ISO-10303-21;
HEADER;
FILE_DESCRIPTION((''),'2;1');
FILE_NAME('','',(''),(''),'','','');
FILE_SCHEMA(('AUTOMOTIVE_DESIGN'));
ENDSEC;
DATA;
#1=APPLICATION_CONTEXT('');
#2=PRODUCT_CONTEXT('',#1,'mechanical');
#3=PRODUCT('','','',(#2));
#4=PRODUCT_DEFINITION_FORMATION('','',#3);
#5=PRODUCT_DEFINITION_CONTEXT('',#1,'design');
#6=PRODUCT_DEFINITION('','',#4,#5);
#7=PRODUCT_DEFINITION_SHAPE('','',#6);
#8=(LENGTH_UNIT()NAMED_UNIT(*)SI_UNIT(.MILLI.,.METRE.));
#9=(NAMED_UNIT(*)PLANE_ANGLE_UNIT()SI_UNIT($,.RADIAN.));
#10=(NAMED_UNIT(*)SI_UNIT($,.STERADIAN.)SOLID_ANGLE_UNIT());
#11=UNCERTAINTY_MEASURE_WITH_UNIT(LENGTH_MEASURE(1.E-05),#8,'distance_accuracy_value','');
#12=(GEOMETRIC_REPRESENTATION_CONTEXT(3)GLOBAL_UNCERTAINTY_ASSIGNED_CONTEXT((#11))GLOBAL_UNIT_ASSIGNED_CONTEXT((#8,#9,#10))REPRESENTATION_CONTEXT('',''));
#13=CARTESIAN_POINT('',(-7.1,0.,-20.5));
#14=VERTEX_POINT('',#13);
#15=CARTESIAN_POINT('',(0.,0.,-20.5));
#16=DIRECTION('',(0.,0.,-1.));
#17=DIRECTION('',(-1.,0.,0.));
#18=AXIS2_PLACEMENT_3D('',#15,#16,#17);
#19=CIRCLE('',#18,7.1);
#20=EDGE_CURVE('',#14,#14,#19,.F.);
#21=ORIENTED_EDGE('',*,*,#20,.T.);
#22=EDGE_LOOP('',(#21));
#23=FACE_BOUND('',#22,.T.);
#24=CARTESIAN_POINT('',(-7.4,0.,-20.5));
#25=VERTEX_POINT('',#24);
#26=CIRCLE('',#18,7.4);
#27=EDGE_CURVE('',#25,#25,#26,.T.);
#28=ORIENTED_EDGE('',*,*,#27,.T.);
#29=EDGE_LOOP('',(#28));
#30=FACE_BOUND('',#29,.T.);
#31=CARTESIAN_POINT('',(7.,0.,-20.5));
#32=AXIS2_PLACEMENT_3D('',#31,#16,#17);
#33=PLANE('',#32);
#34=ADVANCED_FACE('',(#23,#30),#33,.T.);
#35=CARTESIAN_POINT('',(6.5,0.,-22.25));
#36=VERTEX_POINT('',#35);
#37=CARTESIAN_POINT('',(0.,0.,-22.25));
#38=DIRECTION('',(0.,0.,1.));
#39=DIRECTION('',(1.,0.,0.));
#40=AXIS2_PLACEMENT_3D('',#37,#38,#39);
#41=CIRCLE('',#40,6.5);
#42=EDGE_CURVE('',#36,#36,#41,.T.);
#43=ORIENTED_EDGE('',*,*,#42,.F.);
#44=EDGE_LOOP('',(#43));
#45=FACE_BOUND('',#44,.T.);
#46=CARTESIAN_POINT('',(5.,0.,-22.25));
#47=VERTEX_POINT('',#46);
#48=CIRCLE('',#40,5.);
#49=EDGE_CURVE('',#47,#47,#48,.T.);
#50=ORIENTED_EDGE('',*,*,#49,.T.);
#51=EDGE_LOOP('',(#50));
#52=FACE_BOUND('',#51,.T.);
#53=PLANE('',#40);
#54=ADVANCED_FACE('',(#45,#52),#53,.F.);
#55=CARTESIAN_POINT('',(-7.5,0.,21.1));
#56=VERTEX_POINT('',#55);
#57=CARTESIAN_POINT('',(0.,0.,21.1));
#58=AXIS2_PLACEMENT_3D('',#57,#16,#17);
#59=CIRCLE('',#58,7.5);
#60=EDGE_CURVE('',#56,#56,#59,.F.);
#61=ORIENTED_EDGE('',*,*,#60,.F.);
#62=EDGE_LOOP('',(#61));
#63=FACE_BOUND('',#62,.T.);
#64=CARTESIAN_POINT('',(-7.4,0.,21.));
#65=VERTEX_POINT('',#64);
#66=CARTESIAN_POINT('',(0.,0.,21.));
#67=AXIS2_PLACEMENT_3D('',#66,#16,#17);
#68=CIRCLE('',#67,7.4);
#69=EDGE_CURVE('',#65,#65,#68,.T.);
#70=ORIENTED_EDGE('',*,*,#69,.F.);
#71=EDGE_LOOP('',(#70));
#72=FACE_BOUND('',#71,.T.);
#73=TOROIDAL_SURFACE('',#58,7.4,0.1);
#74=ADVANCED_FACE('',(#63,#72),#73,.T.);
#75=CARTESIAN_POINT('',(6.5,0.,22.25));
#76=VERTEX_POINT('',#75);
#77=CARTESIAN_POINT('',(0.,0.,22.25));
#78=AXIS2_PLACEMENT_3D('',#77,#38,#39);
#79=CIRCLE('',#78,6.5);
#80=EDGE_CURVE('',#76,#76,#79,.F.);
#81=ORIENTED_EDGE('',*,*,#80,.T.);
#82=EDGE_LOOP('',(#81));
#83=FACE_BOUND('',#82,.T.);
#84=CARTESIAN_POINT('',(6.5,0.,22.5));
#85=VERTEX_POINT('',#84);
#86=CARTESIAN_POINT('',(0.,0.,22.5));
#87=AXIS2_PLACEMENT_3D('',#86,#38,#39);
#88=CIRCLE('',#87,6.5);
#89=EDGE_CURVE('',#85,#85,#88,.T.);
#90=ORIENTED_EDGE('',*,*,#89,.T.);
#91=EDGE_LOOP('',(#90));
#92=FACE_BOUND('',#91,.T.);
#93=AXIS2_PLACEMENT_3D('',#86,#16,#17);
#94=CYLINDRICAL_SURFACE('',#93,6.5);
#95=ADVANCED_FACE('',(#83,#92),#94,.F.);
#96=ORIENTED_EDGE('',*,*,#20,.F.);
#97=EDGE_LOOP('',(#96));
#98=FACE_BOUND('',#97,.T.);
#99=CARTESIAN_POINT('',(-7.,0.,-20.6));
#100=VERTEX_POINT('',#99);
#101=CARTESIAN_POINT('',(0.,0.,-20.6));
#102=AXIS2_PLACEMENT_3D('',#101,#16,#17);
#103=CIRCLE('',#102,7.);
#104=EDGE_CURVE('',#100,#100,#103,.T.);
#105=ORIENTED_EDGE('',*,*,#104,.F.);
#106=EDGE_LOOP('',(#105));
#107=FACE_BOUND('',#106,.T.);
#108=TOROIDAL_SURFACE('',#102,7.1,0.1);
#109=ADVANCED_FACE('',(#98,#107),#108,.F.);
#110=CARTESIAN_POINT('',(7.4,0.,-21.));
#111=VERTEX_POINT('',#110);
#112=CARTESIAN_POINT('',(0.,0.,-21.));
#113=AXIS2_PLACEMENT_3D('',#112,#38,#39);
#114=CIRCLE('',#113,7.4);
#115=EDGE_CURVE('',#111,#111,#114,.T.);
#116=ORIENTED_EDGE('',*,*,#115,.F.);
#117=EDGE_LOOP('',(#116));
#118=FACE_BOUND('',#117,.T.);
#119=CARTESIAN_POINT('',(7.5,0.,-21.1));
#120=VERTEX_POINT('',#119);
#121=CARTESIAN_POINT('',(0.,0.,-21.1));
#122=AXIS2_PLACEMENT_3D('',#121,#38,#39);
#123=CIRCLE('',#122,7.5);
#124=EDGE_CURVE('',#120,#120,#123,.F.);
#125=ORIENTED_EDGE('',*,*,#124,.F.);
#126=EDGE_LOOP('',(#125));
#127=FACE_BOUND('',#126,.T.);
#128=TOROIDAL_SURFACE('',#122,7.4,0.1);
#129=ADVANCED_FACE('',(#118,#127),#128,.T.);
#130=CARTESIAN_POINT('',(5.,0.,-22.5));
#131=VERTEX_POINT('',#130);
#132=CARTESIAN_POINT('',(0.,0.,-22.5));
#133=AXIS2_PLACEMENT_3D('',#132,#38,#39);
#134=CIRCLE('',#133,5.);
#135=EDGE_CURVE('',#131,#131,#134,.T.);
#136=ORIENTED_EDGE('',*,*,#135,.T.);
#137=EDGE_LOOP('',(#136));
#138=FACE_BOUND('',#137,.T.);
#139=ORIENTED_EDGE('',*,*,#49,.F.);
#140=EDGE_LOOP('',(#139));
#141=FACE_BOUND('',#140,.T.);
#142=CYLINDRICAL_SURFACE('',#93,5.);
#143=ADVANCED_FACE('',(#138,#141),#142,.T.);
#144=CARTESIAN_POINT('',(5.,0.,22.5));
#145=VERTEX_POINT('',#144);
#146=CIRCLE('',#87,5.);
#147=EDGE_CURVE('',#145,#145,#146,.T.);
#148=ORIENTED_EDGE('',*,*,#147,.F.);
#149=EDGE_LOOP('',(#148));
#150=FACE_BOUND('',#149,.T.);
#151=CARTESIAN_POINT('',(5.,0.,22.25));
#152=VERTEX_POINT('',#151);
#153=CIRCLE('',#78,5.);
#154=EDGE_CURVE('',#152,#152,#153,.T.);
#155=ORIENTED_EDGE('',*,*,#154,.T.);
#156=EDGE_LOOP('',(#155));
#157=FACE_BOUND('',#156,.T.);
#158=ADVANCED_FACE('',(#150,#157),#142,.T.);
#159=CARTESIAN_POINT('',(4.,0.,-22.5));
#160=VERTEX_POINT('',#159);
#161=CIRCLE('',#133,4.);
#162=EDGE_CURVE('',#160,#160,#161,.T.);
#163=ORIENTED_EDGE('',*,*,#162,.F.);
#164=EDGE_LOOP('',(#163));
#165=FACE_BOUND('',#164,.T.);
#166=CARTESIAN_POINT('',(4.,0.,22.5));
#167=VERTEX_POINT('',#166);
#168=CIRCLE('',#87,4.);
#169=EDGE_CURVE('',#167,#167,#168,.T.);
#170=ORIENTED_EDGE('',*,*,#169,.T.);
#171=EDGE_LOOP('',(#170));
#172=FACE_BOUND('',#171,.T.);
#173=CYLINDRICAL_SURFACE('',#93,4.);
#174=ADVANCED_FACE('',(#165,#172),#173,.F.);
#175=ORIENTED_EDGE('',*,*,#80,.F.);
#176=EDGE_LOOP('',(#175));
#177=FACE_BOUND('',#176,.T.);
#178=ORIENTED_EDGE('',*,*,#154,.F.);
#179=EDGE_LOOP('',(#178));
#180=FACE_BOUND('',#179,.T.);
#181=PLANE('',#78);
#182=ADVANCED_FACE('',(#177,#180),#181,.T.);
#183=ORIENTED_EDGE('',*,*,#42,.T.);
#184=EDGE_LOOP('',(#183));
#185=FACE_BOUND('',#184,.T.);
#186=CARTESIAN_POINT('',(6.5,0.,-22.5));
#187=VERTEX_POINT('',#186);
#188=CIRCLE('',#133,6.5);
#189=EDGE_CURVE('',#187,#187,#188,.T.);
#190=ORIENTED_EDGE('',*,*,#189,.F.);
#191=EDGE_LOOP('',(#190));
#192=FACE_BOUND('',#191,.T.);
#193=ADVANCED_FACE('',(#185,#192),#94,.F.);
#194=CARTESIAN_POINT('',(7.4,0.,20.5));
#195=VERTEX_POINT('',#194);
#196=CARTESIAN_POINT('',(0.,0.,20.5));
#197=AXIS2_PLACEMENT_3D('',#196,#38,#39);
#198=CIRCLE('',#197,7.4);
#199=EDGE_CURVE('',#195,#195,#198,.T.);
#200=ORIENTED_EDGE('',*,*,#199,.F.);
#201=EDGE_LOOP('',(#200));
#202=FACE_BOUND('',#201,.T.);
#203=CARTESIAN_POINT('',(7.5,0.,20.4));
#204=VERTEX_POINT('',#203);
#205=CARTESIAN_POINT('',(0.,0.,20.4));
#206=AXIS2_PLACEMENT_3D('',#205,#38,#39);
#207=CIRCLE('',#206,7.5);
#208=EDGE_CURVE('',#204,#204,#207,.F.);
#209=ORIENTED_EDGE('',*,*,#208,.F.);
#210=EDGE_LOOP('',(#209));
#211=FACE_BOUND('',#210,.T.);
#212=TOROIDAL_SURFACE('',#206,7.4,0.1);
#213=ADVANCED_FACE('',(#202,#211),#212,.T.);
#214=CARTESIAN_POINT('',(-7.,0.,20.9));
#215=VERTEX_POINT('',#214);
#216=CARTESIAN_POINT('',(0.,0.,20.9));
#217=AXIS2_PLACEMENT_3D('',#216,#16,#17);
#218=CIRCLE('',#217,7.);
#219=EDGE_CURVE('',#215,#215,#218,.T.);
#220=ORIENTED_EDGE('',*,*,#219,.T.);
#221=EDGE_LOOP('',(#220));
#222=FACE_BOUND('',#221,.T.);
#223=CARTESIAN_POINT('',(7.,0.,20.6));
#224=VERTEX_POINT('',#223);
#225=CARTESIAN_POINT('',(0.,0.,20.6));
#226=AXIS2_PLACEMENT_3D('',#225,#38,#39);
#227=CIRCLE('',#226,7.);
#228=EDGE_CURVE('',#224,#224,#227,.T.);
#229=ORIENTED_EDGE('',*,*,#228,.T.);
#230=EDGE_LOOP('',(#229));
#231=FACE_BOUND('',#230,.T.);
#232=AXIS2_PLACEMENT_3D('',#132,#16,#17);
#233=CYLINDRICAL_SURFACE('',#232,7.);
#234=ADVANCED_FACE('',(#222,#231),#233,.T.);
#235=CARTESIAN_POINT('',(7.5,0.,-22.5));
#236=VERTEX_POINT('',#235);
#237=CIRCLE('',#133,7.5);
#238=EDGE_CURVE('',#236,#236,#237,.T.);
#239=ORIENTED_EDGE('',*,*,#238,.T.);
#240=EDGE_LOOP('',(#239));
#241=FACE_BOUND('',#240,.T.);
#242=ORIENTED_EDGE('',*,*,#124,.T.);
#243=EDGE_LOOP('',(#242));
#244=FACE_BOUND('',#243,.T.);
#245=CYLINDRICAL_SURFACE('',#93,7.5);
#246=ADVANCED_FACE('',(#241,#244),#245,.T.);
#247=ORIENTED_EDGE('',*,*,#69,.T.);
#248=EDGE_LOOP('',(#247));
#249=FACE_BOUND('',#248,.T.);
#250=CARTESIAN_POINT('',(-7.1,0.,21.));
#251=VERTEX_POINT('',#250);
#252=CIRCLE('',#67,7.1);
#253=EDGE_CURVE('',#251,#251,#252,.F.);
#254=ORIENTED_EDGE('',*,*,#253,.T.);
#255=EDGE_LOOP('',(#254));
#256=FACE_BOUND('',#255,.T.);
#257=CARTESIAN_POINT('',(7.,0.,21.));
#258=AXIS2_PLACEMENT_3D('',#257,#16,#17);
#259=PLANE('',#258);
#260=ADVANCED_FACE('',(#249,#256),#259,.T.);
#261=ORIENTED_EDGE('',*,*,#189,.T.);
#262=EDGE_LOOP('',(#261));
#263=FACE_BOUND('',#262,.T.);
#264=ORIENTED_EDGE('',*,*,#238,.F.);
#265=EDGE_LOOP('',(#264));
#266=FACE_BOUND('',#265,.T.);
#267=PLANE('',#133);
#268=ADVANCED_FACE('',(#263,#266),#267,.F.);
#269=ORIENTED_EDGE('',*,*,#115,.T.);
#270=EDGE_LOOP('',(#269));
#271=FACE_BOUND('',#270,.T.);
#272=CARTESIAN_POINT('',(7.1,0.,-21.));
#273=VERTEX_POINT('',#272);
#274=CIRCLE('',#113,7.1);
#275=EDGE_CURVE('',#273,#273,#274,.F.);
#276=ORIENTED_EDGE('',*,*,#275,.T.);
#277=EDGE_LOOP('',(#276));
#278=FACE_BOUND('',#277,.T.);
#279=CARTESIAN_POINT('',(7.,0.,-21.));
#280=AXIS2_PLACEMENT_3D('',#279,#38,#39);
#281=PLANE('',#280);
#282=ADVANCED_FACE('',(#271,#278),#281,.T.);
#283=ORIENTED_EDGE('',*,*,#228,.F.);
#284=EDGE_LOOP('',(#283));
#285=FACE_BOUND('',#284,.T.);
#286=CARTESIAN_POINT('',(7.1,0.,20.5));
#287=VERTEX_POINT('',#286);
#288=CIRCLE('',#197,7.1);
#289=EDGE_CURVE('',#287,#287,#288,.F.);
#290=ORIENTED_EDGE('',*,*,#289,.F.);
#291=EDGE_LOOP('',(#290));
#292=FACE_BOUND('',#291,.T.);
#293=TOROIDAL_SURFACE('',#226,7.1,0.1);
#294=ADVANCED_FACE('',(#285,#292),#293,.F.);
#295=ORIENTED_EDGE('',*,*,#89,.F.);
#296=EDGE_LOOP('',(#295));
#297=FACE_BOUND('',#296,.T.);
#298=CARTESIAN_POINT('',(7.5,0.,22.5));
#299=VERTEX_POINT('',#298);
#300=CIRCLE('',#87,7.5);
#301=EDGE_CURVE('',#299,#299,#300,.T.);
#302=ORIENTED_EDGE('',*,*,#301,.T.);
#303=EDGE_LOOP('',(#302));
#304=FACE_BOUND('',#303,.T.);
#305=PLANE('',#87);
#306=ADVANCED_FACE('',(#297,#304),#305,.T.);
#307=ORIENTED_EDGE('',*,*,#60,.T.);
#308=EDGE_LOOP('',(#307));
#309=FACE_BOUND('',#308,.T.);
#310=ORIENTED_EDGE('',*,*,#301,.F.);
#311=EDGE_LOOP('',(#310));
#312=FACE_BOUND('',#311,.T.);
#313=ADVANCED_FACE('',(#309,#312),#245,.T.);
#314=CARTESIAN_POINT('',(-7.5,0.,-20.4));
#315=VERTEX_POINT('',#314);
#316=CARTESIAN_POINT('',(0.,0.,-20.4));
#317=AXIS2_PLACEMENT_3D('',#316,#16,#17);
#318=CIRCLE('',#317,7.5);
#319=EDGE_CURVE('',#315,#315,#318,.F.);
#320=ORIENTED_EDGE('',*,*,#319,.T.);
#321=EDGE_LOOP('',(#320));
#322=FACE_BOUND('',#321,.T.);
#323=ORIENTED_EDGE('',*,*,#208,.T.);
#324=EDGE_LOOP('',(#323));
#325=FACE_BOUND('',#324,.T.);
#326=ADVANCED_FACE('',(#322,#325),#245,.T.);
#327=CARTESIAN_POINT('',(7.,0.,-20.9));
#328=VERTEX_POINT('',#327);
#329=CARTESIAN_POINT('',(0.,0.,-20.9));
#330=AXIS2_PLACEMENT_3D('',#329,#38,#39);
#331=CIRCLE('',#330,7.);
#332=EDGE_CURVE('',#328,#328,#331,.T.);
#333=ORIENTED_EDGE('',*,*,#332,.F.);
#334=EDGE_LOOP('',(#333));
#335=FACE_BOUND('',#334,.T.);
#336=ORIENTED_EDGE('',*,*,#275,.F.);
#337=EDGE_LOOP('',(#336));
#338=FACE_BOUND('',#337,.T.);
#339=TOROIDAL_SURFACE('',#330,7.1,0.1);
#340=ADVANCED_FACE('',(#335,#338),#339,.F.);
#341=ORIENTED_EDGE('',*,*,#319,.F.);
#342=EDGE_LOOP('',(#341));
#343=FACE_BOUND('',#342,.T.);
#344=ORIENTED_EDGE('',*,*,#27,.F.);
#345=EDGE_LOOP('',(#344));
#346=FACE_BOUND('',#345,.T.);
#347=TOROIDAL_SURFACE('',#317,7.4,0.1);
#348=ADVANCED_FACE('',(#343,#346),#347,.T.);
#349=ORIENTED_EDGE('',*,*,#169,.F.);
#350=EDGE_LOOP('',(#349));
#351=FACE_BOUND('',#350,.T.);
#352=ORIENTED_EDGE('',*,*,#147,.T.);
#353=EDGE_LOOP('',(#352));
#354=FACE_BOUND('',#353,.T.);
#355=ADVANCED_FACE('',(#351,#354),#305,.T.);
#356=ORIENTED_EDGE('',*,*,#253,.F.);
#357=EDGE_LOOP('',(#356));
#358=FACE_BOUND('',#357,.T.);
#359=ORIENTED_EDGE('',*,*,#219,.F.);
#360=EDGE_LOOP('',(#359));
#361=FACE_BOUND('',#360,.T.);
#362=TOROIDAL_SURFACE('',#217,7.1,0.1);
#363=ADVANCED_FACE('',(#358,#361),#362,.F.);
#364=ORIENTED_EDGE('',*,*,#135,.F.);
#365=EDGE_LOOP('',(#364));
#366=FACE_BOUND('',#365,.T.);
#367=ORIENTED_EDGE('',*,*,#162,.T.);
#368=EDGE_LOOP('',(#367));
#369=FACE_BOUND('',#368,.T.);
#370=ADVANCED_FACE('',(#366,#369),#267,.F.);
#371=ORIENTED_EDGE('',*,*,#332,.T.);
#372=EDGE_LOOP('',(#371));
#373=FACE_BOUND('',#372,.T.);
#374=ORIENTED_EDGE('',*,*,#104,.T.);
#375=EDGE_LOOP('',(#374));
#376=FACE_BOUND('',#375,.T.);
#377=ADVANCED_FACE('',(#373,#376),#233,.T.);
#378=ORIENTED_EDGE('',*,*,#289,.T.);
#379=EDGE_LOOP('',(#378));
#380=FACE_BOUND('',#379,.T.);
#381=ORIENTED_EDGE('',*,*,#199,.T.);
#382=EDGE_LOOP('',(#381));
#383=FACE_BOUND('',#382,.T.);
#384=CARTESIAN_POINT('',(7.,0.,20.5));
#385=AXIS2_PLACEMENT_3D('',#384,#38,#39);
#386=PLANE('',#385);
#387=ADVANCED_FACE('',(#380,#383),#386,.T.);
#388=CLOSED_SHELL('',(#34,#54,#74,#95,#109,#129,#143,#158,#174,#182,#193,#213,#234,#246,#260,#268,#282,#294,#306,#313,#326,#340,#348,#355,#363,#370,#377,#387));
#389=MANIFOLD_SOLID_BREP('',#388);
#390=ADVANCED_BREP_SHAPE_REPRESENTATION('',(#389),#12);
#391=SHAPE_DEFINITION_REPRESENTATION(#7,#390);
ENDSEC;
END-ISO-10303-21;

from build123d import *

# Parameters (mm, degrees)
SKETCH2_R             = 7.5
SKETCH2_R_2           = 6.5
BOSS_EXTRUDE1_DEPTH   = 22.5
SKETCH2_R_3           = 5
SKETCH2_R_4           = 4
BOSS_EXTRUDE1_2_DEPTH = 22.5
SKETCH2_3_R           = 6.5
SKETCH2_3_R_2         = 5
BOSS_EXTRUDE2_DEPTH   = 22.25
SKETCH3_W             = 1
SKETCH3_H             = 0.5
FILLET1_R             = 0.1


with BuildPart() as part:
    # Sketch2 → Boss-Extrude1 (new, symmetric)
    with BuildSketch(Plane.XY):
        Circle(SKETCH2_R)
        Circle(SKETCH2_R_2, mode=Mode.SUBTRACT)
    extrude(amount=BOSS_EXTRUDE1_DEPTH, both=True)



with BuildPart() as body_2:
    # Sketch2 → Boss-Extrude1 2 (new, symmetric)
    with BuildSketch(Plane.XY):
        Circle(SKETCH2_R_3)
        Circle(SKETCH2_R_4, mode=Mode.SUBTRACT)
    extrude(amount=BOSS_EXTRUDE1_2_DEPTH, both=True)


with BuildPart() as part_1:
    add(part.part)

    add(body_2.part)  # Boss-Extrude2 merges body 2
    # Sketch2<3> → Boss-Extrude2 (add, symmetric)
    with BuildSketch(Plane.XY):
        Circle(SKETCH2_3_R)
        Circle(SKETCH2_3_R_2, mode=Mode.SUBTRACT)
    extrude(amount=BOSS_EXTRUDE2_DEPTH, both=True)

    # Sketch3 → Cut-Revolve1 (revolve, cut)
    with BuildSketch(Plane(origin=(0, 0, 0), x_dir=(1, 0, 0), z_dir=(0, 1, 0))):
        with Locations((7.5, 20.75)):
            Rectangle(SKETCH3_W, SKETCH3_H)
        with Locations((7.5, -20.75)):
            Rectangle(SKETCH3_W, SKETCH3_H)
    revolve(axis=Axis((0, 0, -22.5), (0, 0, 1)), mode=Mode.SUBTRACT)

    # Fillet1
    fillet1_edges = [part_1.edges().sort_by_distance(p)[0] for p in [
        (-7, 0, -21),
        (-7.5, 0, -21),
        (-7, 0, -20.5),
        (-7.5, 0, -20.5),
        (-7, 0, 21),
        (-7, 0, 20.5),
        (-7.5, 0, 20.5),
        (-7.5, 0, 21),
    ]]
    fillet(fillet1_edges, radius=FILLET1_R)


solid = part_1.part
